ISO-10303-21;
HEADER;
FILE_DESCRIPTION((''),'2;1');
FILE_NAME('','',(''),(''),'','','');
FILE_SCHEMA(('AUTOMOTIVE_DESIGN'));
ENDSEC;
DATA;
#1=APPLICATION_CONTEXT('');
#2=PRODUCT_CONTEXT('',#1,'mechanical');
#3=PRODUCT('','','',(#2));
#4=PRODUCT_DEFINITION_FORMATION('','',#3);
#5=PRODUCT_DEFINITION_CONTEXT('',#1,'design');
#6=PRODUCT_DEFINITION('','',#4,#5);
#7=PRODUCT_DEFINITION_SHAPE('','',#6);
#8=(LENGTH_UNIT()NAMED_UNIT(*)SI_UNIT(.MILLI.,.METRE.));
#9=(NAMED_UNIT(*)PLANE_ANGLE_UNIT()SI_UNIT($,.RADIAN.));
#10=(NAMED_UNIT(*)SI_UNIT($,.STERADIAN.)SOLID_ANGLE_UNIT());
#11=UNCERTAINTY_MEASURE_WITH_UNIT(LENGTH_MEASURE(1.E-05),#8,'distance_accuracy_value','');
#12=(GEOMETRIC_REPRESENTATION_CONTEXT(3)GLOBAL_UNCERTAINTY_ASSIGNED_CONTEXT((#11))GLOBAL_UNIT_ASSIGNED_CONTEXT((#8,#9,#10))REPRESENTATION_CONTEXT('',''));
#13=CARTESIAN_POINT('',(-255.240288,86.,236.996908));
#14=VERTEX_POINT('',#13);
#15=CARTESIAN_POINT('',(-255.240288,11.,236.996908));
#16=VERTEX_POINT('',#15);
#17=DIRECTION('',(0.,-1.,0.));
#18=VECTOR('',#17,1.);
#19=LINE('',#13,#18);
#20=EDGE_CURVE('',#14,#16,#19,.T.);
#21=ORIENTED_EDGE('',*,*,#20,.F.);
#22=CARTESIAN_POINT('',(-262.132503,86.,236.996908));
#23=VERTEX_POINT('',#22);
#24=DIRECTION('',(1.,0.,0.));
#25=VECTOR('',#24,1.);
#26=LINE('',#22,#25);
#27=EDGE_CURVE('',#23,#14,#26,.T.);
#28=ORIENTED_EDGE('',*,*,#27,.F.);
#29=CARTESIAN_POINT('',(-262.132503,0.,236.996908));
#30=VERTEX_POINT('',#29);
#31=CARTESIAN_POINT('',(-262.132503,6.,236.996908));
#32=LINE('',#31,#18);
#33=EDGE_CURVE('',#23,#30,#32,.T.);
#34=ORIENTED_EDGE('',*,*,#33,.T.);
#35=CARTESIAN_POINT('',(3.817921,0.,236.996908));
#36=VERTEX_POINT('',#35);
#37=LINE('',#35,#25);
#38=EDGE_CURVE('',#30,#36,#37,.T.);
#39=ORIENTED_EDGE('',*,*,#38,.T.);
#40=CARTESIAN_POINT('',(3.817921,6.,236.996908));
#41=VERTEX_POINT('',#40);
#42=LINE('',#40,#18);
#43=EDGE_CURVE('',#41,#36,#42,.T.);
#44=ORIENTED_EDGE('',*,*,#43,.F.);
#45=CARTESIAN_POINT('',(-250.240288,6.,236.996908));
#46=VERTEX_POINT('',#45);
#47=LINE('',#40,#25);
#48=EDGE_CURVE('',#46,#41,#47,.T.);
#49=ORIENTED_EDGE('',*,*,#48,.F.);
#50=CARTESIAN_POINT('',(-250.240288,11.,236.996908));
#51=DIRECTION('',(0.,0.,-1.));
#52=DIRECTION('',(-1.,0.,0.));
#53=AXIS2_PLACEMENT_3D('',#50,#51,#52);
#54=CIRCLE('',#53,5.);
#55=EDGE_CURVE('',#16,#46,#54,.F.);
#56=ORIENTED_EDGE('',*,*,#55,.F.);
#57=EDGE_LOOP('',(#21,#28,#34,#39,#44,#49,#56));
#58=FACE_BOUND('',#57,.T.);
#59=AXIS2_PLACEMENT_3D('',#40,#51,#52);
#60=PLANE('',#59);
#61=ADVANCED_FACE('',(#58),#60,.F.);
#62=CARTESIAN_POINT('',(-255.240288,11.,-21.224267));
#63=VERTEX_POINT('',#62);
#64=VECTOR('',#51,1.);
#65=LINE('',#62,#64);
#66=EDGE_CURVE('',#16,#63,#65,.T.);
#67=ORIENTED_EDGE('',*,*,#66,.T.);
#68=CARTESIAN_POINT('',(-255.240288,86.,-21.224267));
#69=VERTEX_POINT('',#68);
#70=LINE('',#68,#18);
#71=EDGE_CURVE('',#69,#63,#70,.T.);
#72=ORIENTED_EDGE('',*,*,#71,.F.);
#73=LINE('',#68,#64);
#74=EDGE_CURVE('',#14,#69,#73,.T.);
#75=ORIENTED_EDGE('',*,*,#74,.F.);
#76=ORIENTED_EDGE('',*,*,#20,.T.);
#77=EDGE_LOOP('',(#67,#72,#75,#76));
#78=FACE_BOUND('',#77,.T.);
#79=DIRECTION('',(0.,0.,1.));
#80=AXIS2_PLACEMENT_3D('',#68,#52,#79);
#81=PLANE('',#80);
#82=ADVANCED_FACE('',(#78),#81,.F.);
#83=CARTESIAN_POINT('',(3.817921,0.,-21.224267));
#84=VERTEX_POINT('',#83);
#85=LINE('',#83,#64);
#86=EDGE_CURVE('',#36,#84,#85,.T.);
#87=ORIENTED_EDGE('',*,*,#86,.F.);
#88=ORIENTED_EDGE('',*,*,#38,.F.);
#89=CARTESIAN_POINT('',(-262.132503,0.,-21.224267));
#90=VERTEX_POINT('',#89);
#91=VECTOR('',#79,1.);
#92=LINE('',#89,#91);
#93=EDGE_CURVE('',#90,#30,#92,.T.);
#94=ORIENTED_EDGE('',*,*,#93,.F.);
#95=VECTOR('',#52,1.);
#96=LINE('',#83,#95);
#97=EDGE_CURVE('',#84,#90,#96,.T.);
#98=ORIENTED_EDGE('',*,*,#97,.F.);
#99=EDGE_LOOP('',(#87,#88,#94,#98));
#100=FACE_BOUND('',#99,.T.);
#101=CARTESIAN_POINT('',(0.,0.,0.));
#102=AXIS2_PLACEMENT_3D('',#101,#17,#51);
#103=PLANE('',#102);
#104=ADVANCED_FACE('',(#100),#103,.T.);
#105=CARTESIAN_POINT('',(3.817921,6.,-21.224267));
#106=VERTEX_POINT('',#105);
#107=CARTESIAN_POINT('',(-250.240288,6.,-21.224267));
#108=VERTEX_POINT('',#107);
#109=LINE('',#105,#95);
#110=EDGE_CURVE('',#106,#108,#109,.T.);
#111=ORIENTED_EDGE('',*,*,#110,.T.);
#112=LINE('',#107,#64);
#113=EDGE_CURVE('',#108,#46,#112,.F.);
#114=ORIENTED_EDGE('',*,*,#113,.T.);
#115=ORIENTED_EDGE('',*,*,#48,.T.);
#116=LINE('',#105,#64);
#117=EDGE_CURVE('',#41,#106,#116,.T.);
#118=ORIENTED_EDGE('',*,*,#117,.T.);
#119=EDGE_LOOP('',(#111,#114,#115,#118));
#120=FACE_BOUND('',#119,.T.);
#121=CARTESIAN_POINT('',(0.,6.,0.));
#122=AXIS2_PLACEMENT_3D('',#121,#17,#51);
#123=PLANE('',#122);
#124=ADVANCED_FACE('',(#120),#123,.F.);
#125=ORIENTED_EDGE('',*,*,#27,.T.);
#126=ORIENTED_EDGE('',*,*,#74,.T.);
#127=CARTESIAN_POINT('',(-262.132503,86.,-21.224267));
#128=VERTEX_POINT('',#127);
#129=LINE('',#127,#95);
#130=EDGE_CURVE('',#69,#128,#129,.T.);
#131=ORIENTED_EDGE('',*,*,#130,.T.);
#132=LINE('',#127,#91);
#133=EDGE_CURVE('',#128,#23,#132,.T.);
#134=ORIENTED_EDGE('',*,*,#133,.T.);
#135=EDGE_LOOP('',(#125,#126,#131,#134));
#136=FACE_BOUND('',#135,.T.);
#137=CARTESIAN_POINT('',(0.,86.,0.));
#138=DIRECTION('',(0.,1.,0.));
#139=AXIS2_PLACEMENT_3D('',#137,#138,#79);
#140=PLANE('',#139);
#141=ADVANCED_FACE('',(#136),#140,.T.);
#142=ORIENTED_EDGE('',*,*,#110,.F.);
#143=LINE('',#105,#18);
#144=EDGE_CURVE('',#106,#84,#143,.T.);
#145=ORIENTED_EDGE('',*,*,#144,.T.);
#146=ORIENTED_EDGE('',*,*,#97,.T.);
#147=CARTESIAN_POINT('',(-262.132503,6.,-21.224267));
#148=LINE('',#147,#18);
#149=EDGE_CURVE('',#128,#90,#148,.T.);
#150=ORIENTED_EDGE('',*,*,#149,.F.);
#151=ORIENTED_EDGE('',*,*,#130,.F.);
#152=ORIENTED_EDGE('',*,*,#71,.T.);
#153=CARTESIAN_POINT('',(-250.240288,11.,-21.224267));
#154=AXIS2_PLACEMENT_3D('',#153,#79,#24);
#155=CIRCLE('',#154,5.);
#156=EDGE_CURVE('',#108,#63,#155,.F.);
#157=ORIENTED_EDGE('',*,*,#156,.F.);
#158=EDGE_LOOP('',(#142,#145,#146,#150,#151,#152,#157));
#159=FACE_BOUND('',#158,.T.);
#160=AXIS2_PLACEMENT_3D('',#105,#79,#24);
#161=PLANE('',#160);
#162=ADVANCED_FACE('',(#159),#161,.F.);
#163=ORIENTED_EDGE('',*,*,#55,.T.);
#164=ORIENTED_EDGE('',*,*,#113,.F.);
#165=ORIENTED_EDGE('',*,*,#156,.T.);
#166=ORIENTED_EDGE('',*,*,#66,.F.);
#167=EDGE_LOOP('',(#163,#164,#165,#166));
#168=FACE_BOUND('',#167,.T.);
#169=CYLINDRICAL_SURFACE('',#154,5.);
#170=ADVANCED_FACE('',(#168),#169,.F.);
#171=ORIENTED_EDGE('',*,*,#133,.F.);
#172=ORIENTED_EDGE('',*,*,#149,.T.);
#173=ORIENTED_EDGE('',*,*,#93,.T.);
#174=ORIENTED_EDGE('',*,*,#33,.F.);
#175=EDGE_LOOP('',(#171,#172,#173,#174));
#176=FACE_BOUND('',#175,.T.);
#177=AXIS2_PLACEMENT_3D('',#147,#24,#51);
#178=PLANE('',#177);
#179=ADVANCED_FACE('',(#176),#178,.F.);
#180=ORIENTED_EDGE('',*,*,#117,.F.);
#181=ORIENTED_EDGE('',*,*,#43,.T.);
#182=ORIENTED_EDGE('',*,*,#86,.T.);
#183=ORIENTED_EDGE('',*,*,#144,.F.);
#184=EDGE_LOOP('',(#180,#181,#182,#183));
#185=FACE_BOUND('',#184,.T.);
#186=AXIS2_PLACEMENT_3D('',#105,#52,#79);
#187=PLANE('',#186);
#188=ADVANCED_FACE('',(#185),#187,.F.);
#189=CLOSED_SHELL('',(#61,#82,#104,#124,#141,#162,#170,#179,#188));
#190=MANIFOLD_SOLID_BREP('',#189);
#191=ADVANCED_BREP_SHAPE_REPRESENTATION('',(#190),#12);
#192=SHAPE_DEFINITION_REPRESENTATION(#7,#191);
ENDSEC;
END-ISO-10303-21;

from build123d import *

# Parameters (mm, degrees)
SKETCH1_W           = 265.950423439
SKETCH1_H           = 258.221174697
BASE_DEPTH          = 6
SKETCH2_W           = 6.892214754
SKETCH2_H           = 258.221174697
BOSS_EXTRUDE2_DEPTH = 80
FILLET1_R           = 5


with BuildPart() as part:
    # Sketch1 → Base (new body)
    with BuildSketch(Plane(origin=(0, 0, 0), x_dir=(1, 0, 0), z_dir=(0, 1, 0))):
        with Locations((-129.157291203, -107.886320424)):
            Rectangle(SKETCH1_W, SKETCH1_H)
    extrude(amount=BASE_DEPTH)

    # Sketch2 → Boss-Extrude2 (add)
    with BuildSketch(Plane(origin=(0, 6, 0), x_dir=(1, 0, 0), z_dir=(0, 1, 0))):
        with Locations((-258.686395546, -107.886320424)):
            Rectangle(SKETCH2_W, SKETCH2_H)
    extrude(amount=BOSS_EXTRUDE2_DEPTH)

    # Fillet1
    fillet1_edges = [part.edges().sort_by_distance(p)[0] for p in [
        (-255.240288169, 6, 107.886320423),
    ]]
    fillet(fillet1_edges, radius=FILLET1_R)


solid = part.part
